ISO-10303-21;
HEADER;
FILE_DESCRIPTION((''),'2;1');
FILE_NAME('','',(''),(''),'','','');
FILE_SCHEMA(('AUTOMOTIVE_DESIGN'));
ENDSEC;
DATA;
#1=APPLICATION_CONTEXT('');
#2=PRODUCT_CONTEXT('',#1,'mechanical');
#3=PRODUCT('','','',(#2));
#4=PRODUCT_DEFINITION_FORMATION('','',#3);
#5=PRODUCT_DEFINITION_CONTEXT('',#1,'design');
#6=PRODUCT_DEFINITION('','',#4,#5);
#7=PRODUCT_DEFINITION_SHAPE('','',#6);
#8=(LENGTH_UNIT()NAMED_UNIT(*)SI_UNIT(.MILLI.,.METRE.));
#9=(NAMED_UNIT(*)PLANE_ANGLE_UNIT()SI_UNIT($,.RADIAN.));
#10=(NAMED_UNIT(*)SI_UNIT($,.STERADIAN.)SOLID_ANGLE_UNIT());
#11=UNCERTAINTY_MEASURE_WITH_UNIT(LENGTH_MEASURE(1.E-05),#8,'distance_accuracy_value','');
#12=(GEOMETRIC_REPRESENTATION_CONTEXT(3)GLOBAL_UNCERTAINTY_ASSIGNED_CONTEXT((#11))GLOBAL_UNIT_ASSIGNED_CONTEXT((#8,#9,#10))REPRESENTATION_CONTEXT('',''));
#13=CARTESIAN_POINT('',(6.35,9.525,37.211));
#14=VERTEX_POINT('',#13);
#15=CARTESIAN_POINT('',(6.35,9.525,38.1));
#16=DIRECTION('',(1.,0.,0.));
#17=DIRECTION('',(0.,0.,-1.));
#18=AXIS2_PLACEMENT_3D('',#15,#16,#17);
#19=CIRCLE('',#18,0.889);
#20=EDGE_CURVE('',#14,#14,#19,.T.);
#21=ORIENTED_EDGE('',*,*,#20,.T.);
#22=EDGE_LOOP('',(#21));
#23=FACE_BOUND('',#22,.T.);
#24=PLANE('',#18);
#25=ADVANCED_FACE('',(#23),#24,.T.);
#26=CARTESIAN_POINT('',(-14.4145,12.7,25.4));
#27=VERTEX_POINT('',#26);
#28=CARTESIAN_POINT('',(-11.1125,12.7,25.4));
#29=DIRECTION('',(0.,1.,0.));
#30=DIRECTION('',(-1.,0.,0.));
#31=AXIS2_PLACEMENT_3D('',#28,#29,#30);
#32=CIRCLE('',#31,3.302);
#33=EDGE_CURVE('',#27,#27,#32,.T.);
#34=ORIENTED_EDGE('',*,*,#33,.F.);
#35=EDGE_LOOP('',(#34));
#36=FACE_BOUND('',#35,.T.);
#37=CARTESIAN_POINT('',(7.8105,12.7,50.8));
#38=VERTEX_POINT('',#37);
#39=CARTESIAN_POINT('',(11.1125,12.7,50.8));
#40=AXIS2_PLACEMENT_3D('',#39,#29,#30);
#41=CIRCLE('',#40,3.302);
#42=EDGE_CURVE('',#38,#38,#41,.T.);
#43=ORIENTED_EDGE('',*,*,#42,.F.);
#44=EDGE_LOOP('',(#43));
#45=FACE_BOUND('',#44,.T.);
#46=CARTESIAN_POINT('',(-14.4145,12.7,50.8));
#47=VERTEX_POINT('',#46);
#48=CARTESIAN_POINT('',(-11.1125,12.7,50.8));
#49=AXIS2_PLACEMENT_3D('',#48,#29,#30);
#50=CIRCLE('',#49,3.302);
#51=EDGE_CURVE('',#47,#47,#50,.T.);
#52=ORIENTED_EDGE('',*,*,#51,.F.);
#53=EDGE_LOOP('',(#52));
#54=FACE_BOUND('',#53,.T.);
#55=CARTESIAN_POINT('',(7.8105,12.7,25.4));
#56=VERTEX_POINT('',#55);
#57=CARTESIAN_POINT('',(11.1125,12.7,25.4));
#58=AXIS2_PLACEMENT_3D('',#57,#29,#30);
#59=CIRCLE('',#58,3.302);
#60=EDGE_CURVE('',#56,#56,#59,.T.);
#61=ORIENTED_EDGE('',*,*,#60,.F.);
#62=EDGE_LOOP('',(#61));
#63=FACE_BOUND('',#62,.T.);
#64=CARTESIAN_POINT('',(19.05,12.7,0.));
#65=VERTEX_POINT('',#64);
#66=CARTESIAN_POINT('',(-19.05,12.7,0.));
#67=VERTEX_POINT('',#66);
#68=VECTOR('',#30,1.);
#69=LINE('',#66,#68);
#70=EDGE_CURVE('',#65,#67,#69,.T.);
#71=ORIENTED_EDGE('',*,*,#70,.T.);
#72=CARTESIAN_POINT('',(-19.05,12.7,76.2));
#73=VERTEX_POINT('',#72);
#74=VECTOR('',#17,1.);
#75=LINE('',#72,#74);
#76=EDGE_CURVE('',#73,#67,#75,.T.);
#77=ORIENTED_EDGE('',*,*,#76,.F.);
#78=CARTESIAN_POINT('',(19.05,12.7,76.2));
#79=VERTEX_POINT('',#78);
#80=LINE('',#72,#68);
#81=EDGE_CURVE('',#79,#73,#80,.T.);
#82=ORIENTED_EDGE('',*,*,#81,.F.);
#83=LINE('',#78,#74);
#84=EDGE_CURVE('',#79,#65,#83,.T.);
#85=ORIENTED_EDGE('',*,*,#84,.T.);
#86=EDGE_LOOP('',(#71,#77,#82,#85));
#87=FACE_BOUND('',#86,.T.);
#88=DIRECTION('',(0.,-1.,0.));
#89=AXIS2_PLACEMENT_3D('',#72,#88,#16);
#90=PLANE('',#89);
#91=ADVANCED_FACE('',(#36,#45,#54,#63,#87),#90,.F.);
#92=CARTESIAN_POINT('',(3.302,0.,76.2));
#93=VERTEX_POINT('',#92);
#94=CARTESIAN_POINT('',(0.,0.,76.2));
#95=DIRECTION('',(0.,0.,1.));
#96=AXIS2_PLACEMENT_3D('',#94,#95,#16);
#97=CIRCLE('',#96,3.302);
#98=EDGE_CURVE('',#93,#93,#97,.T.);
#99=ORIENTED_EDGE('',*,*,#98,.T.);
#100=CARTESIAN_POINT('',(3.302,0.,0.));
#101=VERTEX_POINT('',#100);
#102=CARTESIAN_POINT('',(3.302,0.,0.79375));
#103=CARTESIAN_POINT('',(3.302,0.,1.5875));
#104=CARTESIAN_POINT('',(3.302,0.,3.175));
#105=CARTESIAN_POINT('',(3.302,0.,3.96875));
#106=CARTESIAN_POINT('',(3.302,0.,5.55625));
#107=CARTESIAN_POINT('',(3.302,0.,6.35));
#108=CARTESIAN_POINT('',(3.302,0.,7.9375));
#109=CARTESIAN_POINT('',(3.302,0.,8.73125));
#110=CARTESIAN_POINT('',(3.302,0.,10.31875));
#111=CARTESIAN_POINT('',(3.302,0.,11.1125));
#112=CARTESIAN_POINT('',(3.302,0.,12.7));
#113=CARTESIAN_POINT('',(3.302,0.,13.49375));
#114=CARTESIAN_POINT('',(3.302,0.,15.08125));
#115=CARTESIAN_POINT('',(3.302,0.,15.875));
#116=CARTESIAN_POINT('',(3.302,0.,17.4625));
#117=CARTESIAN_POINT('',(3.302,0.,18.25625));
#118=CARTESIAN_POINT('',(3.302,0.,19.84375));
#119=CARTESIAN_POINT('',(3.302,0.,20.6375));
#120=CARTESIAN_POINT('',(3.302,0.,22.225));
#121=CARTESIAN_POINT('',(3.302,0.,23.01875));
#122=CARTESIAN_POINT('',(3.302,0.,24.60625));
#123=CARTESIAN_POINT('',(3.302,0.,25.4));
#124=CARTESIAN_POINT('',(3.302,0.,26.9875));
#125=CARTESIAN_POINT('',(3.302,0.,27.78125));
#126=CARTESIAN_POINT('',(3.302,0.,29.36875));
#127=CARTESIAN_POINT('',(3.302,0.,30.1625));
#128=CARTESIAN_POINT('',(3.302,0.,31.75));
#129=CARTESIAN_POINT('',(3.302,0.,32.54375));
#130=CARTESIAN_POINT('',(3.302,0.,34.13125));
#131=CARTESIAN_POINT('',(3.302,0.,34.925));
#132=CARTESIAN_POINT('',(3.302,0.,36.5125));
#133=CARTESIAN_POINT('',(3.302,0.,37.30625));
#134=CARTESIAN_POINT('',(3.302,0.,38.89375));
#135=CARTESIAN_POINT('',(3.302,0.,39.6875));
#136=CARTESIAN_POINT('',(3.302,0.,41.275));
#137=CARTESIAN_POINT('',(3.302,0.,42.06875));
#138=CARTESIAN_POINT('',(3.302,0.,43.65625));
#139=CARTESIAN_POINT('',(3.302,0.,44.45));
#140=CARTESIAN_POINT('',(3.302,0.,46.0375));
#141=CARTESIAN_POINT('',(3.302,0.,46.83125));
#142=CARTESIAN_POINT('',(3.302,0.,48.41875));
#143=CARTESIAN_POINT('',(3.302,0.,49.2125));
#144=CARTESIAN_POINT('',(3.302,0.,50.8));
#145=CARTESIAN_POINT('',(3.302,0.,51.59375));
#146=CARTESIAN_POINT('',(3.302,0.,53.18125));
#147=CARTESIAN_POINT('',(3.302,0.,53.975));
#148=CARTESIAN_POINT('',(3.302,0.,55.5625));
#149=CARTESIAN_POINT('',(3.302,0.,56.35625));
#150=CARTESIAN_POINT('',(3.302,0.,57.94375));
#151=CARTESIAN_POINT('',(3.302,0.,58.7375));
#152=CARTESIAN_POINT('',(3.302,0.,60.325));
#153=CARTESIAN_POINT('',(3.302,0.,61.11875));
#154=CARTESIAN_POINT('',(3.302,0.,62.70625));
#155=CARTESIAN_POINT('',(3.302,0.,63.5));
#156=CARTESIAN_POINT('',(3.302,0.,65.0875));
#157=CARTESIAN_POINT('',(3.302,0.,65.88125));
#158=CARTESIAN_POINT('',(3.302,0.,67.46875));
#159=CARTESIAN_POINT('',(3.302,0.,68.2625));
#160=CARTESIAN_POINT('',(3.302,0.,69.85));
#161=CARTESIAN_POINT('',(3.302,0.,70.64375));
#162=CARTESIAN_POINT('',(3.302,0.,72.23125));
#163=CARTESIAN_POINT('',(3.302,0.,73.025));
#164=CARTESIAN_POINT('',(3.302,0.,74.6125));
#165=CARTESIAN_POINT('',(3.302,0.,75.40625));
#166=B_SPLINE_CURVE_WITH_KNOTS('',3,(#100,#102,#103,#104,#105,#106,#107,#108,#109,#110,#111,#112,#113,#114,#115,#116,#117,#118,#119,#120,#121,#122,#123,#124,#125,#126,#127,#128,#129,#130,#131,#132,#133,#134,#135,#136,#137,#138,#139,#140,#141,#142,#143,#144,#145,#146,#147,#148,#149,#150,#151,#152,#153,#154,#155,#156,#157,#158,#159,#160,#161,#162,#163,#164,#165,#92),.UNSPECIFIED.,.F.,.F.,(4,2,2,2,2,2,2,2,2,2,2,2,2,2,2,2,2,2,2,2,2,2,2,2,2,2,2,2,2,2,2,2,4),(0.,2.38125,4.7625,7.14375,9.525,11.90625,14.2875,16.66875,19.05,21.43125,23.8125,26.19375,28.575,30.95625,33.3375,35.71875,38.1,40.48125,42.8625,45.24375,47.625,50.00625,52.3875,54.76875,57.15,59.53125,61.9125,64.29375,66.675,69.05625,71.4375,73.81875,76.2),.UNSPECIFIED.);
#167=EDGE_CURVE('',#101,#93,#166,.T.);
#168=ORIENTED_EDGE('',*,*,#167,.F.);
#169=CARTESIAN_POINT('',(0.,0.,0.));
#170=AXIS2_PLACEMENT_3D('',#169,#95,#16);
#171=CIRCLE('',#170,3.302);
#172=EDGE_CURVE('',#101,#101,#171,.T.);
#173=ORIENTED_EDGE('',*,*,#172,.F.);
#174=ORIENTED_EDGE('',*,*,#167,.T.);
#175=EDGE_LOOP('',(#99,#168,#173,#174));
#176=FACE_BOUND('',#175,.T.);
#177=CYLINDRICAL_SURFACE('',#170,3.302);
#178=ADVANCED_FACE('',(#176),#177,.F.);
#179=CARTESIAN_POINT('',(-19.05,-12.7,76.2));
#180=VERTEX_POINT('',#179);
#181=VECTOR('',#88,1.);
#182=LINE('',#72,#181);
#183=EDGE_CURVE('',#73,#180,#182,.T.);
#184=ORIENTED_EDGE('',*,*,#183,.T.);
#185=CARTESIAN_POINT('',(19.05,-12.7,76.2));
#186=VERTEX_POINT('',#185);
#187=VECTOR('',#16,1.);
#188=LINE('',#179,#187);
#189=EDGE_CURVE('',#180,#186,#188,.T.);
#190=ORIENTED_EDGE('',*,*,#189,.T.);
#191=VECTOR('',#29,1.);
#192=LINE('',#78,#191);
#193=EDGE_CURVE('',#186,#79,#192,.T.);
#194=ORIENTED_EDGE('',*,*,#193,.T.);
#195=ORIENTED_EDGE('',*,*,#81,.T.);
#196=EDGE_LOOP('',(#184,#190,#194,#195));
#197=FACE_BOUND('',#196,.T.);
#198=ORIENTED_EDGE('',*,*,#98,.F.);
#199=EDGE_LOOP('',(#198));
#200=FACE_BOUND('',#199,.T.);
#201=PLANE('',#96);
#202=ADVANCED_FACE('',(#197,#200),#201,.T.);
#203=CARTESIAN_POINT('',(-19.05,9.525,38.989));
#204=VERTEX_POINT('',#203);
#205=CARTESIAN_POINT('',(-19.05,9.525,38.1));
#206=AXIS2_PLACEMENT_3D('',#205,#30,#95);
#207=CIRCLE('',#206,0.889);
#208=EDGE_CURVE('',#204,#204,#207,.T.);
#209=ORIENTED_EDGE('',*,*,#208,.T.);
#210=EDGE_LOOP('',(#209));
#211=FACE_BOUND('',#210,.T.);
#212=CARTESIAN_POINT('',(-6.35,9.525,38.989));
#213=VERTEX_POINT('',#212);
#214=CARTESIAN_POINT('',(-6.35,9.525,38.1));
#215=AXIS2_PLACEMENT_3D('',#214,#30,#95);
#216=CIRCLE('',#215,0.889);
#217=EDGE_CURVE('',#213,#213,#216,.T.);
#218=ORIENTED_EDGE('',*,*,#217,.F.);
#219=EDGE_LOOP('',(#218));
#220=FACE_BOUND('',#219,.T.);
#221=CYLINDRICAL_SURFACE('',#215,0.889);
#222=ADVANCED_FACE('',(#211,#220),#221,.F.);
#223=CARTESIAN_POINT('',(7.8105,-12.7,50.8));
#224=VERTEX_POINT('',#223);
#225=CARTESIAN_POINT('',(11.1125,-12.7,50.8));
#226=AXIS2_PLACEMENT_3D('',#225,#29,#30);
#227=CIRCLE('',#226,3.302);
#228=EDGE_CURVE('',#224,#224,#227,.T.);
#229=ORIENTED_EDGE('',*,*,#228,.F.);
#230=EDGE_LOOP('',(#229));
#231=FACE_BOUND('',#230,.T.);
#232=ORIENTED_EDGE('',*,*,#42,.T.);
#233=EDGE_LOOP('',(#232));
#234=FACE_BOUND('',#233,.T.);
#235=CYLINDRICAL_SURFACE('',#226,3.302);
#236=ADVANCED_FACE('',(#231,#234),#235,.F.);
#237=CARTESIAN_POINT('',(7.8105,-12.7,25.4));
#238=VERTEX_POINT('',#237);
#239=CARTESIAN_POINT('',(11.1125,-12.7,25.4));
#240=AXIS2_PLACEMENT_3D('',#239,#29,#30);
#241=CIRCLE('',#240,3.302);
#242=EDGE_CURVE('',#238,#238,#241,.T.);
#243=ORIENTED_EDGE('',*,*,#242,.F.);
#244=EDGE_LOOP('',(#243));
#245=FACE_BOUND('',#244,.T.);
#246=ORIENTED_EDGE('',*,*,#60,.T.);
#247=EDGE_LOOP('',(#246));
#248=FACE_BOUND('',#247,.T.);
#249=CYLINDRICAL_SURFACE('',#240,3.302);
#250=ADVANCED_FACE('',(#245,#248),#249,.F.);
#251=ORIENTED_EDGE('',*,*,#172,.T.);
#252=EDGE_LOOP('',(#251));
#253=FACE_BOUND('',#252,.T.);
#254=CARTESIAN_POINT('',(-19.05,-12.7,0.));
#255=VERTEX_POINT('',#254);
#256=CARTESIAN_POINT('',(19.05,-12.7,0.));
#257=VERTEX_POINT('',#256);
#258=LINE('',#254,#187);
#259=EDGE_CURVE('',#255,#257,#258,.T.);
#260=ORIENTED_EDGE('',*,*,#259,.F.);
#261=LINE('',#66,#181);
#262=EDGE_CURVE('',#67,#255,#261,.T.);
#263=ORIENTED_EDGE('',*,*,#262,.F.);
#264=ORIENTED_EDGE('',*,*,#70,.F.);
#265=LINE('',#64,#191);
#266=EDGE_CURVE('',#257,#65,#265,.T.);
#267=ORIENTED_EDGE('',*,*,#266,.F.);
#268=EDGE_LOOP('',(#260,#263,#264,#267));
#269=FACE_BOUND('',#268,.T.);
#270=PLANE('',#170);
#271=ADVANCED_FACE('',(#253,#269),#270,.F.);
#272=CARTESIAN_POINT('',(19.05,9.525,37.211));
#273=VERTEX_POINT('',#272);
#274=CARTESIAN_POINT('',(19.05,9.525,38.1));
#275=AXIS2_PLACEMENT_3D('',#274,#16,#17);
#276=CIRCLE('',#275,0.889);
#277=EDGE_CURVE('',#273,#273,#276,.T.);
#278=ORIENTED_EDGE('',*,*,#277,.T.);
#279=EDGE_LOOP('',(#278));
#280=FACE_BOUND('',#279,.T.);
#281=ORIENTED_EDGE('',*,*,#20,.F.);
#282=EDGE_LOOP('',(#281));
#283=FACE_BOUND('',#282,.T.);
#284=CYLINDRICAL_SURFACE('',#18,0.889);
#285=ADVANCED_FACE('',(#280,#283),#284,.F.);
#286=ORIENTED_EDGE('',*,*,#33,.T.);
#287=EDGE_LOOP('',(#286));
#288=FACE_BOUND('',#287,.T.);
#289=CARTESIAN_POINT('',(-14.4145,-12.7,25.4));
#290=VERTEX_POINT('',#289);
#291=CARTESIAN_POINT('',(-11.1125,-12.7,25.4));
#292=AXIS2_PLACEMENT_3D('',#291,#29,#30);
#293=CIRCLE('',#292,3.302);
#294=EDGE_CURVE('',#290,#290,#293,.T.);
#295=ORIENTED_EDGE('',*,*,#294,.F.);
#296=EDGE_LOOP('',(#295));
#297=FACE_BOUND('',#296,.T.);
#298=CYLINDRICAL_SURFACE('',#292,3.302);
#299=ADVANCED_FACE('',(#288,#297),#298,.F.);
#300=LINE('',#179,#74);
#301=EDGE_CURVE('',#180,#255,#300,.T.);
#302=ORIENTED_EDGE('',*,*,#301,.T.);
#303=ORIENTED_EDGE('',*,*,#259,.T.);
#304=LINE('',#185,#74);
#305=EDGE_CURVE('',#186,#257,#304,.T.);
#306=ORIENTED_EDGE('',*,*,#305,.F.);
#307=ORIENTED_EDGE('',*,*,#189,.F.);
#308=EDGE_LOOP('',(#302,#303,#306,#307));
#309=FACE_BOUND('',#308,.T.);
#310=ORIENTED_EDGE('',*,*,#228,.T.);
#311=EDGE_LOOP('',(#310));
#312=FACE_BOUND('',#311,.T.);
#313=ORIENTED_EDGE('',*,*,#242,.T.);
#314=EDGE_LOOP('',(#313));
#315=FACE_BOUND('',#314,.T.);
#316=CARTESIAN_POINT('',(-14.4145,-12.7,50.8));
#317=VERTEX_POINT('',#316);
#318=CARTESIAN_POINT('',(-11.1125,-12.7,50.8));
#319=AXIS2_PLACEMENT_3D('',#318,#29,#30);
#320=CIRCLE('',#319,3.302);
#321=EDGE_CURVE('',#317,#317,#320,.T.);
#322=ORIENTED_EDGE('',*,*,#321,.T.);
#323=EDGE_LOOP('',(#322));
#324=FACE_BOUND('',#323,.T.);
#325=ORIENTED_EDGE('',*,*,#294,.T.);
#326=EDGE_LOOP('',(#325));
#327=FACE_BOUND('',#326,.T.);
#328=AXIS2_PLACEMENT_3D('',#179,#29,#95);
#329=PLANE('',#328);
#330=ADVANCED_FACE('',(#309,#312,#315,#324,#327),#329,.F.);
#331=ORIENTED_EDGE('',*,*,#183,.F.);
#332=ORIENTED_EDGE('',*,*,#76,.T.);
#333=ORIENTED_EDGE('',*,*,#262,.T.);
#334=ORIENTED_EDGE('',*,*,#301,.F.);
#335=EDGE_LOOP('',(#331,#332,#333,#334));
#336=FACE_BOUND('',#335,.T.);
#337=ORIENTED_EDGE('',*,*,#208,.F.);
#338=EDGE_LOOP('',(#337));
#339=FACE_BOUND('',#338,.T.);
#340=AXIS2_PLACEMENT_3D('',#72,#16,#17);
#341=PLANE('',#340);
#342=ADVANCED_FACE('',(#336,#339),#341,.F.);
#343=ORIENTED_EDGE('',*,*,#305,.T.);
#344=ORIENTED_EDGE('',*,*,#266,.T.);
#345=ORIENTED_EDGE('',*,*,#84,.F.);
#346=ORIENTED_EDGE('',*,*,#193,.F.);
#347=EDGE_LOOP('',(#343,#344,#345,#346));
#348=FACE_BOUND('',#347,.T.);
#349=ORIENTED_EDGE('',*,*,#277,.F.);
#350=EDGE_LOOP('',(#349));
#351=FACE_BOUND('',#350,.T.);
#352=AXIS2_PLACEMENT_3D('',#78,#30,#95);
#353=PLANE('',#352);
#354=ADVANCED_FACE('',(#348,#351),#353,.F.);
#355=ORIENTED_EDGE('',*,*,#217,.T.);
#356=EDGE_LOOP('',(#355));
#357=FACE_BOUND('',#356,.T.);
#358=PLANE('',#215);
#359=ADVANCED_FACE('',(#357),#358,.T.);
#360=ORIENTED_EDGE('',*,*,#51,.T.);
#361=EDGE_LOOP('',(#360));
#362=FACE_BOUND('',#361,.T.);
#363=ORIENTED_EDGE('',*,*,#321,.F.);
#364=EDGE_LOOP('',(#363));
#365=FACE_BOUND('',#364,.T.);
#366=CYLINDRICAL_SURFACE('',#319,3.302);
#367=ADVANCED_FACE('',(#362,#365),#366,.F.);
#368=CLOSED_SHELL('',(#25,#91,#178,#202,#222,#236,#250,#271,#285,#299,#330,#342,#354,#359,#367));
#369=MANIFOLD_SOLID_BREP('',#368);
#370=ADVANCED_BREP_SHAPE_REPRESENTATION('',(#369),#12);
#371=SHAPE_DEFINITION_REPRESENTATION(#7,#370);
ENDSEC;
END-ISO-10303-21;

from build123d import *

# Parameters (mm, degrees)
SKETCH1_W           = 38.1
SKETCH1_H           = 25.4
BOSS_EXTRUDE1_DEPTH = 76.2
SKETCH2_R           = 3.302
CUT_EXTRUDE1_DEPTH  = 80.565271947
SKETCH3_R           = 3.302
CUT_EXTRUDE2_DEPTH  = 83.55
SKETCH5_R           = 0.889
CUT_EXTRUDE3_DEPTH  = 12.7
CUT_EXTRUDE4_START  = -12.7
SKETCH6_R           = 0.889
CUT_EXTRUDE4_DEPTH  = 12.7


with BuildPart() as part:
    # Sketch1 → Boss-Extrude1 (new body)
    with BuildSketch(Plane.XY):
        Rectangle(SKETCH1_W, SKETCH1_H)
    extrude(amount=BOSS_EXTRUDE1_DEPTH)

    # Sketch2 → Cut-Extrude1 (cut, through all)
    with BuildSketch(Plane.XY.offset(76.2)):
        Circle(SKETCH2_R)
    extrude(amount=-CUT_EXTRUDE1_DEPTH, mode=Mode.SUBTRACT)

    # Sketch3 → Cut-Extrude2 (cut, through all)
    with BuildSketch(Plane(origin=(0, 12.7, 0), x_dir=(1, 0, 0), z_dir=(0, 1, 0))):
        with Locations(Location((-11.1125, -25.4, 0), (0, 0, 180))):
            Circle(SKETCH3_R)
        with Locations(Location((11.1125, -25.4, 0), (0, 0, 180))):
            Circle(SKETCH3_R)
        with Locations(Location((-11.1125, -50.8, 0), (0, 0, 180))):
            Circle(SKETCH3_R)
        with Locations(Location((11.1125, -50.8, 0), (0, 0, 180))):
            Circle(SKETCH3_R)
    extrude(amount=-CUT_EXTRUDE2_DEPTH, mode=Mode.SUBTRACT)

    # Sketch5 → Cut-Extrude3 (cut)
    with BuildSketch(Plane(origin=(19.05, 0, 0), x_dir=(0, 0, -1), z_dir=(1, 0, 0))):
        with Locations((-38.1, 9.525)):
            Circle(SKETCH5_R)
    extrude(amount=-CUT_EXTRUDE3_DEPTH, mode=Mode.SUBTRACT)

    # Sketch6 → Cut-Extrude4 (cut)
    with BuildSketch(Plane.ZY.offset(19.05).offset(CUT_EXTRUDE4_START)):
        with Locations(Location((38.1, 9.525, 0), (0, 0, 180))):
            Circle(SKETCH6_R)
    extrude(amount=CUT_EXTRUDE4_DEPTH, mode=Mode.SUBTRACT)


solid = part.part
